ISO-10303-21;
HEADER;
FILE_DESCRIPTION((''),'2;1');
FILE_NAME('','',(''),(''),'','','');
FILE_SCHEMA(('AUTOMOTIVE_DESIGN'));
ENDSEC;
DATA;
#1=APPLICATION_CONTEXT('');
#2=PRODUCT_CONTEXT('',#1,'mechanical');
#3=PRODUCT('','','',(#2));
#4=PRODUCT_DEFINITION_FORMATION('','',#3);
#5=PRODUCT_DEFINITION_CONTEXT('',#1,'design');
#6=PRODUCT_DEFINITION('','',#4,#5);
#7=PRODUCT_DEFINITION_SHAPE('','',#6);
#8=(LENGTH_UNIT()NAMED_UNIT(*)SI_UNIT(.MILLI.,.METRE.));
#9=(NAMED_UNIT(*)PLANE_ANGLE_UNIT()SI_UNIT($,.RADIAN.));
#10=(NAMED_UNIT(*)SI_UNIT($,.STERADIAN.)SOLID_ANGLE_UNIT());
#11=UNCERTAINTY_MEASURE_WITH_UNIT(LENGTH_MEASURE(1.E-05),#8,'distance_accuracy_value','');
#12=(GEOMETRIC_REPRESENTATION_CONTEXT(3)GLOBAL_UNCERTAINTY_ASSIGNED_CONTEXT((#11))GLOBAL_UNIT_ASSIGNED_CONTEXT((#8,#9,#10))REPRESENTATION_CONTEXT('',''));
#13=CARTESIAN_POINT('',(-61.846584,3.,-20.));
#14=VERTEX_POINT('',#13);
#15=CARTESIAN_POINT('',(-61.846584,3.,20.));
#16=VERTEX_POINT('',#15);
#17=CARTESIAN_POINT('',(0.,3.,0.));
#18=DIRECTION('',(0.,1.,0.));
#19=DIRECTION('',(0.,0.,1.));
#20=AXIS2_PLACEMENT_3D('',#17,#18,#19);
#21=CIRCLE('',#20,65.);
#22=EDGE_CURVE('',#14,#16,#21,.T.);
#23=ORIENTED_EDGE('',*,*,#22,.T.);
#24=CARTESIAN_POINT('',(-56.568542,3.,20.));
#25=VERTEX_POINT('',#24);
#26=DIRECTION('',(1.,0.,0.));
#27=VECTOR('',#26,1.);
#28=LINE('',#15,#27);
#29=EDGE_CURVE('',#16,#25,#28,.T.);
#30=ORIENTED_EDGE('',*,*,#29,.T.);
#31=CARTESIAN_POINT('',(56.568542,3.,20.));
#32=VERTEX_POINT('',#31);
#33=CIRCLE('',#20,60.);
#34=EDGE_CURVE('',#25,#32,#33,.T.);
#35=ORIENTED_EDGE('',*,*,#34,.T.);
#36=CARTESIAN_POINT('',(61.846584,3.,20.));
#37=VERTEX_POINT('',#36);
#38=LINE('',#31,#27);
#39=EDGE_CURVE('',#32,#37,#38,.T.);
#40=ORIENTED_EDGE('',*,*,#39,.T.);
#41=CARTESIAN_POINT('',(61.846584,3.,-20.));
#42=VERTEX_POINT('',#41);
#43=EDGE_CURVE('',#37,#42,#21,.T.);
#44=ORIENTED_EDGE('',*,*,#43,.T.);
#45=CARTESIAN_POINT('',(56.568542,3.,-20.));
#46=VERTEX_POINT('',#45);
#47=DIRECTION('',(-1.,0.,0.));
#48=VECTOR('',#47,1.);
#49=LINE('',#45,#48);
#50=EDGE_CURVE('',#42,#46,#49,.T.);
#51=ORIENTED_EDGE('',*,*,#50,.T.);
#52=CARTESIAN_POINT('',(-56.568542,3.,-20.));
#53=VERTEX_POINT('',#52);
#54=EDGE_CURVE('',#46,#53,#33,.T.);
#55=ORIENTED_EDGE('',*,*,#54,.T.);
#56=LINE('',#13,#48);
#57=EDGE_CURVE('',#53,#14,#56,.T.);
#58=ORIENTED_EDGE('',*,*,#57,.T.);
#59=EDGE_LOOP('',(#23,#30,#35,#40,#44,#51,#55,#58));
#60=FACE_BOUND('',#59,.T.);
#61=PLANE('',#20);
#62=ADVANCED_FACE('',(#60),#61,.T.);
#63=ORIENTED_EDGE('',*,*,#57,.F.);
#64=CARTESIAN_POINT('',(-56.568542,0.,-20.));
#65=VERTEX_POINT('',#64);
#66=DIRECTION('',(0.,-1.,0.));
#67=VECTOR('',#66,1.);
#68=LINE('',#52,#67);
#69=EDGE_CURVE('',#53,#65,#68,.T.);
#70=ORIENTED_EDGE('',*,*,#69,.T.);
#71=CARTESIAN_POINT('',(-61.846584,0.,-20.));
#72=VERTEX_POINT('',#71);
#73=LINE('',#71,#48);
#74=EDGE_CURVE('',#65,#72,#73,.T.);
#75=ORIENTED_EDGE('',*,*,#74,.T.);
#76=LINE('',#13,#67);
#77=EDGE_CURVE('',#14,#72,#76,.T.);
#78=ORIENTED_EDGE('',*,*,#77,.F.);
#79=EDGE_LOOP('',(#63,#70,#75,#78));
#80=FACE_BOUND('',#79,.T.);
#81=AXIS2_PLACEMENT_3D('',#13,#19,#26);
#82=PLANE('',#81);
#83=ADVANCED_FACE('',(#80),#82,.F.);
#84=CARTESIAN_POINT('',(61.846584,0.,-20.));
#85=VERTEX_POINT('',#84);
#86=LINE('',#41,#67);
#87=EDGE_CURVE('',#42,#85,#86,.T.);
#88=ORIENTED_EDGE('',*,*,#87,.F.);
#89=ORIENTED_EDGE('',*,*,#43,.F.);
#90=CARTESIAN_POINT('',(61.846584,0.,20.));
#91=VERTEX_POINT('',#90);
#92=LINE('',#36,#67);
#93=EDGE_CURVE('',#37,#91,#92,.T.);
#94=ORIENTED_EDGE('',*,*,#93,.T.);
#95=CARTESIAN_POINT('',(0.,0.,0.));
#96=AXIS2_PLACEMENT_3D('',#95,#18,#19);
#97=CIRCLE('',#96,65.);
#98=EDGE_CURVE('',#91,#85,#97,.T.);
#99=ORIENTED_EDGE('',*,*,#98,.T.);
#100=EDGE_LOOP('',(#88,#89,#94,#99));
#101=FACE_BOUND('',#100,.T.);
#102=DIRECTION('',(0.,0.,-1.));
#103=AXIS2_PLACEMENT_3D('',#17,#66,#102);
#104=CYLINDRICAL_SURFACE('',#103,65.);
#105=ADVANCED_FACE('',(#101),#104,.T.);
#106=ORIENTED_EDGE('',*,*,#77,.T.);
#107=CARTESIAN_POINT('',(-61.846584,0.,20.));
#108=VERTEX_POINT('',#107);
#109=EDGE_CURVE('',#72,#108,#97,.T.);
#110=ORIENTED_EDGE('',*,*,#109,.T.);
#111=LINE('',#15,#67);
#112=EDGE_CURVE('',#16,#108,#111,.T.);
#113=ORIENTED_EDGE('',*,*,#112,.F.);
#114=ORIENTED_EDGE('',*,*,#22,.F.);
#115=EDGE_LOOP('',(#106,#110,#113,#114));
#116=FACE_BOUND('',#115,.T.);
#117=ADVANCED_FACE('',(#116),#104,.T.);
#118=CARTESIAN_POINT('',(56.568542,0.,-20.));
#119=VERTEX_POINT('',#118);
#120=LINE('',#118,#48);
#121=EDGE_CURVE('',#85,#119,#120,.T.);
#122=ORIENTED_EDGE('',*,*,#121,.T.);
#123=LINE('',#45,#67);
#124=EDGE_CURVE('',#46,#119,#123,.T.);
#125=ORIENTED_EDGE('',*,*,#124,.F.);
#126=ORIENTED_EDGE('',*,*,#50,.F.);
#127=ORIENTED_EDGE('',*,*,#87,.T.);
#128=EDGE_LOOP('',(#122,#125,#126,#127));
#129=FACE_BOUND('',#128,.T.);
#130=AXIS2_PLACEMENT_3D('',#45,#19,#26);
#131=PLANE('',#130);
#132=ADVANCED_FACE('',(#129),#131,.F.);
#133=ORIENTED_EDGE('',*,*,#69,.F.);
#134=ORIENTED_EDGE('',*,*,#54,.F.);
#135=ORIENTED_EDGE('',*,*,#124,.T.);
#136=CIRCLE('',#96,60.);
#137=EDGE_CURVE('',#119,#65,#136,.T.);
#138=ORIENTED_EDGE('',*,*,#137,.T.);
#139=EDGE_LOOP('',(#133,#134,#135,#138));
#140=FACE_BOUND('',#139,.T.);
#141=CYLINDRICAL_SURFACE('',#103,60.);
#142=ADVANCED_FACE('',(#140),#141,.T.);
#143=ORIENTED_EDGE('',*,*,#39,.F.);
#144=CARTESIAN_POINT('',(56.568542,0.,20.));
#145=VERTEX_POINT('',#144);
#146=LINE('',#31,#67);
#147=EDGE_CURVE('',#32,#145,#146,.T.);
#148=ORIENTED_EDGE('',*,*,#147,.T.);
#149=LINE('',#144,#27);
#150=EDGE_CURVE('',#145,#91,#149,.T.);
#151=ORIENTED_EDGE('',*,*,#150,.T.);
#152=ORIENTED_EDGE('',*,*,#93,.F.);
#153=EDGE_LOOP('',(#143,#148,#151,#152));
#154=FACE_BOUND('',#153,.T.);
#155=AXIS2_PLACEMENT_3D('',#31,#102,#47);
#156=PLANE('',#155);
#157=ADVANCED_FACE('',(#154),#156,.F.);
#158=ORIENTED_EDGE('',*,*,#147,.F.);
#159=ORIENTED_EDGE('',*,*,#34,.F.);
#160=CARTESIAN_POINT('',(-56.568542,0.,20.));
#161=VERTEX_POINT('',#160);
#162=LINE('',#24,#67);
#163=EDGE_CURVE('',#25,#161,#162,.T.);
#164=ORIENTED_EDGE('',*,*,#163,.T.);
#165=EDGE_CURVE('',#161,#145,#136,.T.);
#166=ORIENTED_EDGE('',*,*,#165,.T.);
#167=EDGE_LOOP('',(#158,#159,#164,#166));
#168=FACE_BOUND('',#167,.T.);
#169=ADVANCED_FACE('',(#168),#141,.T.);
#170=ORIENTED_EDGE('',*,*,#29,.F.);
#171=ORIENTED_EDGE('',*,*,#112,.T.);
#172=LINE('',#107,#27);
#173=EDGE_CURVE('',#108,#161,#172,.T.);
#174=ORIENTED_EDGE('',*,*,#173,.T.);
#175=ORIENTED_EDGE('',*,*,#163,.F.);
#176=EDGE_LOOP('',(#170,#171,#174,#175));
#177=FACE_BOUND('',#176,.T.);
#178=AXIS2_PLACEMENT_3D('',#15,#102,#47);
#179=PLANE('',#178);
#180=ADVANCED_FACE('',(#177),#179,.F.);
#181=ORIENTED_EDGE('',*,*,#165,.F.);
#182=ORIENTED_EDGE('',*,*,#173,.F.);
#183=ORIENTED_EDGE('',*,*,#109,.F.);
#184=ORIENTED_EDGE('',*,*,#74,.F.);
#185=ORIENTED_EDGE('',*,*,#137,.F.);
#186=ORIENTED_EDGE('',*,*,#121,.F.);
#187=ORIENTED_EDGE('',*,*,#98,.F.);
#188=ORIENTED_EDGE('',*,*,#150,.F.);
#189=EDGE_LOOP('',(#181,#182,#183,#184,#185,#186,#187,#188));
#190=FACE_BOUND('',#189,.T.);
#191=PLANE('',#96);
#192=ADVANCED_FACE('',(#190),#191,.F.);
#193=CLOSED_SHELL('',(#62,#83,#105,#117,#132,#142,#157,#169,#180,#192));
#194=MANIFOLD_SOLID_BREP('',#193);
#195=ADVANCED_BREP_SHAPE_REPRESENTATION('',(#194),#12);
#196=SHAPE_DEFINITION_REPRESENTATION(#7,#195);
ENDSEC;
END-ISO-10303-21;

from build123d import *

# Parameters (mm, degrees)
BOSS_EXTRUDE1_DEPTH = 3


with BuildPart() as part:
    # Sketch1 → Boss-Extrude1 (new body)
    with BuildSketch(Plane(origin=(0, 0, 0), x_dir=(1, 0, 0), z_dir=(0, 1, 0))):
        with BuildLine():
            Line((-61.846584384, -20), (-56.568542495, -20))
            ThreePointArc((-56.568542495, -20), (0, -60), (56.568542495, -20))
            Line((56.568542495, -20), (61.846584384, -20))
            ThreePointArc((61.846584384, -20), (65, 0), (61.846584384, 20))
            Line((61.846584384, 20), (56.568542495, 20))
            ThreePointArc((56.568542495, 20), (0, 60), (-56.568542495, 20))
            Line((-56.568542495, 20), (-61.846584384, 20))
            ThreePointArc((-61.846584384, 20), (-65, 0), (-61.846584384, -20))
        make_face()
    extrude(amount=BOSS_EXTRUDE1_DEPTH)


solid = part.part
